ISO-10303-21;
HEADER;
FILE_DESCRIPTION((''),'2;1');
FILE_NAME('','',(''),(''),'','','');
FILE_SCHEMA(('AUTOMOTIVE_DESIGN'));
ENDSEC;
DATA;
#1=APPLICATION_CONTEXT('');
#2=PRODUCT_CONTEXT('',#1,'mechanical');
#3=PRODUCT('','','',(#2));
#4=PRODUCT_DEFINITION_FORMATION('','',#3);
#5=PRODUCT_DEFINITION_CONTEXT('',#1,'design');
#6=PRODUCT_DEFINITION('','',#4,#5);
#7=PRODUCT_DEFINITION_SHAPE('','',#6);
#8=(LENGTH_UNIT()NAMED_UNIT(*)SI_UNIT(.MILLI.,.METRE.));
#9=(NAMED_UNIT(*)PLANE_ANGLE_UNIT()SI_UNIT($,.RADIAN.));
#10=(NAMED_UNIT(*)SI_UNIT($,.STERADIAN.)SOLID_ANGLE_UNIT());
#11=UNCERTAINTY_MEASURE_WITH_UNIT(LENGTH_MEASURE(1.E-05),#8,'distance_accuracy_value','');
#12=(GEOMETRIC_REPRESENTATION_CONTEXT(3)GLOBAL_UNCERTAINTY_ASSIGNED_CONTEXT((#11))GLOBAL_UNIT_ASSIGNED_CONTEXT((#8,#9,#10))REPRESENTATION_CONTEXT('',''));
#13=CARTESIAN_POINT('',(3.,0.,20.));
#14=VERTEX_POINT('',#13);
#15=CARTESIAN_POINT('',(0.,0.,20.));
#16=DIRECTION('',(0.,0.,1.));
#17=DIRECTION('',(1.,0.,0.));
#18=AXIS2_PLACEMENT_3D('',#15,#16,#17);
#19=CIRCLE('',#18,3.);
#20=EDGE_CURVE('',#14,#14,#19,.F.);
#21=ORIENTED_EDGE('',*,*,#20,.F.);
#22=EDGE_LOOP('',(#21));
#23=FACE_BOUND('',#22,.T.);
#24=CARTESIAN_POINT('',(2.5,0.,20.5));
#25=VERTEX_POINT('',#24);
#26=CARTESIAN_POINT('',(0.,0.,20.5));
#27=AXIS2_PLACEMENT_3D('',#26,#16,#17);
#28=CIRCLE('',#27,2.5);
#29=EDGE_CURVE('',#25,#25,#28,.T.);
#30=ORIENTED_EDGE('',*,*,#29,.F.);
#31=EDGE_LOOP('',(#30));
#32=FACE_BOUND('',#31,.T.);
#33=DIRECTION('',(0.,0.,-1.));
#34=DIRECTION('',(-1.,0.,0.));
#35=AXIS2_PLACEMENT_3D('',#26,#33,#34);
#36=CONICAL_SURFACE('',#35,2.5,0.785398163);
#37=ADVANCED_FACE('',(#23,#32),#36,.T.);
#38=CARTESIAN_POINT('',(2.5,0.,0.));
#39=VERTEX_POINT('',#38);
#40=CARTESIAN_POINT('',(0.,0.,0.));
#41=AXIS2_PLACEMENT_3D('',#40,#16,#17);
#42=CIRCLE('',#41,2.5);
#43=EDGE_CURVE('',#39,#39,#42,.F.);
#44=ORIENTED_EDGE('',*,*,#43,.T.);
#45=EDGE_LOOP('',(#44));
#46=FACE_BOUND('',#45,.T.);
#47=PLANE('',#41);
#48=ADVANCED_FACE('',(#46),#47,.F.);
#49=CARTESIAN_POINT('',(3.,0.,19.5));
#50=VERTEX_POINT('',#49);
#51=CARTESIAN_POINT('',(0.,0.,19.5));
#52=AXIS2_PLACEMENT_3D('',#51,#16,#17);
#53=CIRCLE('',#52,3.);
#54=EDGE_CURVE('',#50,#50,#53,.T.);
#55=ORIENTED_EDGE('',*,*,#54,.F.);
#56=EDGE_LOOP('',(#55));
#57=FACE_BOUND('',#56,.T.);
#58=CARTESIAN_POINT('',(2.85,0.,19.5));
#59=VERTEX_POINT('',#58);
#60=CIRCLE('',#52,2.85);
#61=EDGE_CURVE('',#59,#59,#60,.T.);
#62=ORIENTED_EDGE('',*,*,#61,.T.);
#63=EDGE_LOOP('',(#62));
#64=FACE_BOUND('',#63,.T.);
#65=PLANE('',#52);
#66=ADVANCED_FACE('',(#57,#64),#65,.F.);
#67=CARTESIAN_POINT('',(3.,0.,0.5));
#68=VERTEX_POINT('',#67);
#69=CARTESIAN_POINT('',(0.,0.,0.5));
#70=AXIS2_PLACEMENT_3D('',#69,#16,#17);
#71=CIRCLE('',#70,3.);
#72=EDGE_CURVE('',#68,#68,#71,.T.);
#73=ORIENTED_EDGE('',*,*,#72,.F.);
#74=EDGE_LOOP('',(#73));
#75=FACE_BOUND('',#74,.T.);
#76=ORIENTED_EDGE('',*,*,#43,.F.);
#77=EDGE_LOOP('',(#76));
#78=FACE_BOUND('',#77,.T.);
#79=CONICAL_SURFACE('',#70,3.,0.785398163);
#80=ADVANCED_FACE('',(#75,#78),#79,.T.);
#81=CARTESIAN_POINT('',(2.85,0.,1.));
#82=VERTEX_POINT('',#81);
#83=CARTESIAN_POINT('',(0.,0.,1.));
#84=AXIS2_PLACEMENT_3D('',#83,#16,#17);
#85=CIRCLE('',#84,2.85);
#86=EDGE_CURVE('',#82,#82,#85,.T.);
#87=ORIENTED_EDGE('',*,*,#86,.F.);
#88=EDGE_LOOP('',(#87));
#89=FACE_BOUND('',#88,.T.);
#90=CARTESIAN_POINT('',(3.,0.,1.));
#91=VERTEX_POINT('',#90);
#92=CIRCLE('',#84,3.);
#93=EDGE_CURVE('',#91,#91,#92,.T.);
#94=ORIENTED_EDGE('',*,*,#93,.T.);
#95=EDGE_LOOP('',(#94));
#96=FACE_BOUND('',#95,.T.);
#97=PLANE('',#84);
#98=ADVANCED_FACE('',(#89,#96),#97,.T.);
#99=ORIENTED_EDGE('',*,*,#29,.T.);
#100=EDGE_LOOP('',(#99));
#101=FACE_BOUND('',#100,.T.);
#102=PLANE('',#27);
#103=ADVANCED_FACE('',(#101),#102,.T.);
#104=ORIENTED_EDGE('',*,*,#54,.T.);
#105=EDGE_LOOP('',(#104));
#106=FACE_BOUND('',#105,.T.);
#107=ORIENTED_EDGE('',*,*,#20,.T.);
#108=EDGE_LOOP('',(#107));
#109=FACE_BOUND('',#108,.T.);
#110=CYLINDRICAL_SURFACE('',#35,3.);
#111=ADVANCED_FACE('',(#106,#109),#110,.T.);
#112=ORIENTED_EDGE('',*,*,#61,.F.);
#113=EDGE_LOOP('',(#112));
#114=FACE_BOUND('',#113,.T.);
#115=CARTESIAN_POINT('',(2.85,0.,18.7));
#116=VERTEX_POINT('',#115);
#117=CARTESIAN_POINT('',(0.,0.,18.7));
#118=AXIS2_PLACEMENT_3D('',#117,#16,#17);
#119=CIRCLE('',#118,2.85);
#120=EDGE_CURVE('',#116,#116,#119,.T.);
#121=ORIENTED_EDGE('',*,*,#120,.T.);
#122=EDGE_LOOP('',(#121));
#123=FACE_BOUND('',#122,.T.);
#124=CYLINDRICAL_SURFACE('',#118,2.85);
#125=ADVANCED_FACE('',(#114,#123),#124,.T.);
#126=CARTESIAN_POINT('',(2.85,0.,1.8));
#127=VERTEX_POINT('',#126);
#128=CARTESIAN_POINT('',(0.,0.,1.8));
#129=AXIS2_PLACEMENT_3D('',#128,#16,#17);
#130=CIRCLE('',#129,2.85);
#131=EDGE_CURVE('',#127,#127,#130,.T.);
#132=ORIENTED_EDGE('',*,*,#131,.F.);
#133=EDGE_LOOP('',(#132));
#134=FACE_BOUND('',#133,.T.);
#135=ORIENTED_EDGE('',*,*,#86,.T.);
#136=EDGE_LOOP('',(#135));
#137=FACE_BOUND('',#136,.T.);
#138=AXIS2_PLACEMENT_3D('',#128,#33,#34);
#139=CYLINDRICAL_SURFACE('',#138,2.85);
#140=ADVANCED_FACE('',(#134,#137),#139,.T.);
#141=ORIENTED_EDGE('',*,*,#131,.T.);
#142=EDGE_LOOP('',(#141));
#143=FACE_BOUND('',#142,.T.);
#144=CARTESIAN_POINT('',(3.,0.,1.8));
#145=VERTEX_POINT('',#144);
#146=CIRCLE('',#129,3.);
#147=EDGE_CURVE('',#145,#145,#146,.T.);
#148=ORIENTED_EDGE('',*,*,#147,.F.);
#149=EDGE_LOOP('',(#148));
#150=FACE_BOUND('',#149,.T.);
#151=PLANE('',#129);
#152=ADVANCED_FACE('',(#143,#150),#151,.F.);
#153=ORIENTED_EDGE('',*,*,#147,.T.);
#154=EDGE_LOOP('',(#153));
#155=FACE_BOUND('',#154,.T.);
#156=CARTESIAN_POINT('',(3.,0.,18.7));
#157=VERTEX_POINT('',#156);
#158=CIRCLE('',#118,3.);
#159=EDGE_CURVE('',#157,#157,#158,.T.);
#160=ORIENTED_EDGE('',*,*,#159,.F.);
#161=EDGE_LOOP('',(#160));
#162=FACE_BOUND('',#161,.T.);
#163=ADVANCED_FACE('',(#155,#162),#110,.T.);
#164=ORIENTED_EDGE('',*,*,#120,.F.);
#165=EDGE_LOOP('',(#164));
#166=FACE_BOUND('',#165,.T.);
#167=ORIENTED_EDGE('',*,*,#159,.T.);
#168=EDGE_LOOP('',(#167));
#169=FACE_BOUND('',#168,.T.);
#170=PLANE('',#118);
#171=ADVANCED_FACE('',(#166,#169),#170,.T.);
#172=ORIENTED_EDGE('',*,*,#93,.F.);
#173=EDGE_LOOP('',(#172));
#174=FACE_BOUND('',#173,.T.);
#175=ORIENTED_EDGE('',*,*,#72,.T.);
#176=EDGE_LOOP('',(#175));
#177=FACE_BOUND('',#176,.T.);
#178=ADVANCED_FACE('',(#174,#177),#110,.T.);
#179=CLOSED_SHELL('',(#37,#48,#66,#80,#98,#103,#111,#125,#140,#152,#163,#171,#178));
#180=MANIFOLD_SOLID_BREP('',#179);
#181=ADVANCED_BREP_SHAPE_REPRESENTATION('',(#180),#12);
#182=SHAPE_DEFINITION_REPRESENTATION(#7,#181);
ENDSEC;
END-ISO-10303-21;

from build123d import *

# Parameters (mm, degrees)
SZKIC1_R                    = 3
DODANIE_WYCI_GNI_CIE1_DEPTH = 20.5
WYTNIJ_WYCI_GNI_CIE1_START  = -1.8
SZKIC2_R                    = 3
SZKIC2_R_2                  = 2.85
WYTNIJ_WYCI_GNI_CIE1_DEPTH  = 0.8
WYTNIJ_WYCI_GNI_CIE2_START  = -19.5
SZKIC2_2_R                  = 3
SZKIC2_2_R_2                = 2.85
WYTNIJ_WYCI_GNI_CIE2_DEPTH  = 0.8
SFAZOWANIE1_SIZE            = 0.5


with BuildPart() as part:
    # Szkic1 → Dodanie-wyciągnięcie1 (new body)
    with BuildSketch(Plane.XY):
        Circle(SZKIC1_R)
    extrude(amount=DODANIE_WYCI_GNI_CIE1_DEPTH)

    # Szkic2 → Wytnij-wyciągnięcie1 (cut)
    with BuildSketch(Plane.XY.offset(20.5).offset(WYTNIJ_WYCI_GNI_CIE1_START)):
        Circle(SZKIC2_R)
        Circle(SZKIC2_R_2, mode=Mode.SUBTRACT)
    extrude(amount=WYTNIJ_WYCI_GNI_CIE1_DEPTH, mode=Mode.SUBTRACT)

    # Szkic2<2> → Wytnij-wyciągnięcie2 (cut)
    with BuildSketch(Plane.XY.offset(20.5).offset(WYTNIJ_WYCI_GNI_CIE2_START)):
        Circle(SZKIC2_2_R)
        Circle(SZKIC2_2_R_2, mode=Mode.SUBTRACT)
    extrude(amount=WYTNIJ_WYCI_GNI_CIE2_DEPTH, mode=Mode.SUBTRACT)

    # Sfazowanie1
    sfazowanie1_edges = [part.edges().sort_by_distance(p)[0] for p in [
        (-3, 0, 0),
        (-3, 0, 20.5),
    ]]
    chamfer(sfazowanie1_edges, length=SFAZOWANIE1_SIZE)


solid = part.part
